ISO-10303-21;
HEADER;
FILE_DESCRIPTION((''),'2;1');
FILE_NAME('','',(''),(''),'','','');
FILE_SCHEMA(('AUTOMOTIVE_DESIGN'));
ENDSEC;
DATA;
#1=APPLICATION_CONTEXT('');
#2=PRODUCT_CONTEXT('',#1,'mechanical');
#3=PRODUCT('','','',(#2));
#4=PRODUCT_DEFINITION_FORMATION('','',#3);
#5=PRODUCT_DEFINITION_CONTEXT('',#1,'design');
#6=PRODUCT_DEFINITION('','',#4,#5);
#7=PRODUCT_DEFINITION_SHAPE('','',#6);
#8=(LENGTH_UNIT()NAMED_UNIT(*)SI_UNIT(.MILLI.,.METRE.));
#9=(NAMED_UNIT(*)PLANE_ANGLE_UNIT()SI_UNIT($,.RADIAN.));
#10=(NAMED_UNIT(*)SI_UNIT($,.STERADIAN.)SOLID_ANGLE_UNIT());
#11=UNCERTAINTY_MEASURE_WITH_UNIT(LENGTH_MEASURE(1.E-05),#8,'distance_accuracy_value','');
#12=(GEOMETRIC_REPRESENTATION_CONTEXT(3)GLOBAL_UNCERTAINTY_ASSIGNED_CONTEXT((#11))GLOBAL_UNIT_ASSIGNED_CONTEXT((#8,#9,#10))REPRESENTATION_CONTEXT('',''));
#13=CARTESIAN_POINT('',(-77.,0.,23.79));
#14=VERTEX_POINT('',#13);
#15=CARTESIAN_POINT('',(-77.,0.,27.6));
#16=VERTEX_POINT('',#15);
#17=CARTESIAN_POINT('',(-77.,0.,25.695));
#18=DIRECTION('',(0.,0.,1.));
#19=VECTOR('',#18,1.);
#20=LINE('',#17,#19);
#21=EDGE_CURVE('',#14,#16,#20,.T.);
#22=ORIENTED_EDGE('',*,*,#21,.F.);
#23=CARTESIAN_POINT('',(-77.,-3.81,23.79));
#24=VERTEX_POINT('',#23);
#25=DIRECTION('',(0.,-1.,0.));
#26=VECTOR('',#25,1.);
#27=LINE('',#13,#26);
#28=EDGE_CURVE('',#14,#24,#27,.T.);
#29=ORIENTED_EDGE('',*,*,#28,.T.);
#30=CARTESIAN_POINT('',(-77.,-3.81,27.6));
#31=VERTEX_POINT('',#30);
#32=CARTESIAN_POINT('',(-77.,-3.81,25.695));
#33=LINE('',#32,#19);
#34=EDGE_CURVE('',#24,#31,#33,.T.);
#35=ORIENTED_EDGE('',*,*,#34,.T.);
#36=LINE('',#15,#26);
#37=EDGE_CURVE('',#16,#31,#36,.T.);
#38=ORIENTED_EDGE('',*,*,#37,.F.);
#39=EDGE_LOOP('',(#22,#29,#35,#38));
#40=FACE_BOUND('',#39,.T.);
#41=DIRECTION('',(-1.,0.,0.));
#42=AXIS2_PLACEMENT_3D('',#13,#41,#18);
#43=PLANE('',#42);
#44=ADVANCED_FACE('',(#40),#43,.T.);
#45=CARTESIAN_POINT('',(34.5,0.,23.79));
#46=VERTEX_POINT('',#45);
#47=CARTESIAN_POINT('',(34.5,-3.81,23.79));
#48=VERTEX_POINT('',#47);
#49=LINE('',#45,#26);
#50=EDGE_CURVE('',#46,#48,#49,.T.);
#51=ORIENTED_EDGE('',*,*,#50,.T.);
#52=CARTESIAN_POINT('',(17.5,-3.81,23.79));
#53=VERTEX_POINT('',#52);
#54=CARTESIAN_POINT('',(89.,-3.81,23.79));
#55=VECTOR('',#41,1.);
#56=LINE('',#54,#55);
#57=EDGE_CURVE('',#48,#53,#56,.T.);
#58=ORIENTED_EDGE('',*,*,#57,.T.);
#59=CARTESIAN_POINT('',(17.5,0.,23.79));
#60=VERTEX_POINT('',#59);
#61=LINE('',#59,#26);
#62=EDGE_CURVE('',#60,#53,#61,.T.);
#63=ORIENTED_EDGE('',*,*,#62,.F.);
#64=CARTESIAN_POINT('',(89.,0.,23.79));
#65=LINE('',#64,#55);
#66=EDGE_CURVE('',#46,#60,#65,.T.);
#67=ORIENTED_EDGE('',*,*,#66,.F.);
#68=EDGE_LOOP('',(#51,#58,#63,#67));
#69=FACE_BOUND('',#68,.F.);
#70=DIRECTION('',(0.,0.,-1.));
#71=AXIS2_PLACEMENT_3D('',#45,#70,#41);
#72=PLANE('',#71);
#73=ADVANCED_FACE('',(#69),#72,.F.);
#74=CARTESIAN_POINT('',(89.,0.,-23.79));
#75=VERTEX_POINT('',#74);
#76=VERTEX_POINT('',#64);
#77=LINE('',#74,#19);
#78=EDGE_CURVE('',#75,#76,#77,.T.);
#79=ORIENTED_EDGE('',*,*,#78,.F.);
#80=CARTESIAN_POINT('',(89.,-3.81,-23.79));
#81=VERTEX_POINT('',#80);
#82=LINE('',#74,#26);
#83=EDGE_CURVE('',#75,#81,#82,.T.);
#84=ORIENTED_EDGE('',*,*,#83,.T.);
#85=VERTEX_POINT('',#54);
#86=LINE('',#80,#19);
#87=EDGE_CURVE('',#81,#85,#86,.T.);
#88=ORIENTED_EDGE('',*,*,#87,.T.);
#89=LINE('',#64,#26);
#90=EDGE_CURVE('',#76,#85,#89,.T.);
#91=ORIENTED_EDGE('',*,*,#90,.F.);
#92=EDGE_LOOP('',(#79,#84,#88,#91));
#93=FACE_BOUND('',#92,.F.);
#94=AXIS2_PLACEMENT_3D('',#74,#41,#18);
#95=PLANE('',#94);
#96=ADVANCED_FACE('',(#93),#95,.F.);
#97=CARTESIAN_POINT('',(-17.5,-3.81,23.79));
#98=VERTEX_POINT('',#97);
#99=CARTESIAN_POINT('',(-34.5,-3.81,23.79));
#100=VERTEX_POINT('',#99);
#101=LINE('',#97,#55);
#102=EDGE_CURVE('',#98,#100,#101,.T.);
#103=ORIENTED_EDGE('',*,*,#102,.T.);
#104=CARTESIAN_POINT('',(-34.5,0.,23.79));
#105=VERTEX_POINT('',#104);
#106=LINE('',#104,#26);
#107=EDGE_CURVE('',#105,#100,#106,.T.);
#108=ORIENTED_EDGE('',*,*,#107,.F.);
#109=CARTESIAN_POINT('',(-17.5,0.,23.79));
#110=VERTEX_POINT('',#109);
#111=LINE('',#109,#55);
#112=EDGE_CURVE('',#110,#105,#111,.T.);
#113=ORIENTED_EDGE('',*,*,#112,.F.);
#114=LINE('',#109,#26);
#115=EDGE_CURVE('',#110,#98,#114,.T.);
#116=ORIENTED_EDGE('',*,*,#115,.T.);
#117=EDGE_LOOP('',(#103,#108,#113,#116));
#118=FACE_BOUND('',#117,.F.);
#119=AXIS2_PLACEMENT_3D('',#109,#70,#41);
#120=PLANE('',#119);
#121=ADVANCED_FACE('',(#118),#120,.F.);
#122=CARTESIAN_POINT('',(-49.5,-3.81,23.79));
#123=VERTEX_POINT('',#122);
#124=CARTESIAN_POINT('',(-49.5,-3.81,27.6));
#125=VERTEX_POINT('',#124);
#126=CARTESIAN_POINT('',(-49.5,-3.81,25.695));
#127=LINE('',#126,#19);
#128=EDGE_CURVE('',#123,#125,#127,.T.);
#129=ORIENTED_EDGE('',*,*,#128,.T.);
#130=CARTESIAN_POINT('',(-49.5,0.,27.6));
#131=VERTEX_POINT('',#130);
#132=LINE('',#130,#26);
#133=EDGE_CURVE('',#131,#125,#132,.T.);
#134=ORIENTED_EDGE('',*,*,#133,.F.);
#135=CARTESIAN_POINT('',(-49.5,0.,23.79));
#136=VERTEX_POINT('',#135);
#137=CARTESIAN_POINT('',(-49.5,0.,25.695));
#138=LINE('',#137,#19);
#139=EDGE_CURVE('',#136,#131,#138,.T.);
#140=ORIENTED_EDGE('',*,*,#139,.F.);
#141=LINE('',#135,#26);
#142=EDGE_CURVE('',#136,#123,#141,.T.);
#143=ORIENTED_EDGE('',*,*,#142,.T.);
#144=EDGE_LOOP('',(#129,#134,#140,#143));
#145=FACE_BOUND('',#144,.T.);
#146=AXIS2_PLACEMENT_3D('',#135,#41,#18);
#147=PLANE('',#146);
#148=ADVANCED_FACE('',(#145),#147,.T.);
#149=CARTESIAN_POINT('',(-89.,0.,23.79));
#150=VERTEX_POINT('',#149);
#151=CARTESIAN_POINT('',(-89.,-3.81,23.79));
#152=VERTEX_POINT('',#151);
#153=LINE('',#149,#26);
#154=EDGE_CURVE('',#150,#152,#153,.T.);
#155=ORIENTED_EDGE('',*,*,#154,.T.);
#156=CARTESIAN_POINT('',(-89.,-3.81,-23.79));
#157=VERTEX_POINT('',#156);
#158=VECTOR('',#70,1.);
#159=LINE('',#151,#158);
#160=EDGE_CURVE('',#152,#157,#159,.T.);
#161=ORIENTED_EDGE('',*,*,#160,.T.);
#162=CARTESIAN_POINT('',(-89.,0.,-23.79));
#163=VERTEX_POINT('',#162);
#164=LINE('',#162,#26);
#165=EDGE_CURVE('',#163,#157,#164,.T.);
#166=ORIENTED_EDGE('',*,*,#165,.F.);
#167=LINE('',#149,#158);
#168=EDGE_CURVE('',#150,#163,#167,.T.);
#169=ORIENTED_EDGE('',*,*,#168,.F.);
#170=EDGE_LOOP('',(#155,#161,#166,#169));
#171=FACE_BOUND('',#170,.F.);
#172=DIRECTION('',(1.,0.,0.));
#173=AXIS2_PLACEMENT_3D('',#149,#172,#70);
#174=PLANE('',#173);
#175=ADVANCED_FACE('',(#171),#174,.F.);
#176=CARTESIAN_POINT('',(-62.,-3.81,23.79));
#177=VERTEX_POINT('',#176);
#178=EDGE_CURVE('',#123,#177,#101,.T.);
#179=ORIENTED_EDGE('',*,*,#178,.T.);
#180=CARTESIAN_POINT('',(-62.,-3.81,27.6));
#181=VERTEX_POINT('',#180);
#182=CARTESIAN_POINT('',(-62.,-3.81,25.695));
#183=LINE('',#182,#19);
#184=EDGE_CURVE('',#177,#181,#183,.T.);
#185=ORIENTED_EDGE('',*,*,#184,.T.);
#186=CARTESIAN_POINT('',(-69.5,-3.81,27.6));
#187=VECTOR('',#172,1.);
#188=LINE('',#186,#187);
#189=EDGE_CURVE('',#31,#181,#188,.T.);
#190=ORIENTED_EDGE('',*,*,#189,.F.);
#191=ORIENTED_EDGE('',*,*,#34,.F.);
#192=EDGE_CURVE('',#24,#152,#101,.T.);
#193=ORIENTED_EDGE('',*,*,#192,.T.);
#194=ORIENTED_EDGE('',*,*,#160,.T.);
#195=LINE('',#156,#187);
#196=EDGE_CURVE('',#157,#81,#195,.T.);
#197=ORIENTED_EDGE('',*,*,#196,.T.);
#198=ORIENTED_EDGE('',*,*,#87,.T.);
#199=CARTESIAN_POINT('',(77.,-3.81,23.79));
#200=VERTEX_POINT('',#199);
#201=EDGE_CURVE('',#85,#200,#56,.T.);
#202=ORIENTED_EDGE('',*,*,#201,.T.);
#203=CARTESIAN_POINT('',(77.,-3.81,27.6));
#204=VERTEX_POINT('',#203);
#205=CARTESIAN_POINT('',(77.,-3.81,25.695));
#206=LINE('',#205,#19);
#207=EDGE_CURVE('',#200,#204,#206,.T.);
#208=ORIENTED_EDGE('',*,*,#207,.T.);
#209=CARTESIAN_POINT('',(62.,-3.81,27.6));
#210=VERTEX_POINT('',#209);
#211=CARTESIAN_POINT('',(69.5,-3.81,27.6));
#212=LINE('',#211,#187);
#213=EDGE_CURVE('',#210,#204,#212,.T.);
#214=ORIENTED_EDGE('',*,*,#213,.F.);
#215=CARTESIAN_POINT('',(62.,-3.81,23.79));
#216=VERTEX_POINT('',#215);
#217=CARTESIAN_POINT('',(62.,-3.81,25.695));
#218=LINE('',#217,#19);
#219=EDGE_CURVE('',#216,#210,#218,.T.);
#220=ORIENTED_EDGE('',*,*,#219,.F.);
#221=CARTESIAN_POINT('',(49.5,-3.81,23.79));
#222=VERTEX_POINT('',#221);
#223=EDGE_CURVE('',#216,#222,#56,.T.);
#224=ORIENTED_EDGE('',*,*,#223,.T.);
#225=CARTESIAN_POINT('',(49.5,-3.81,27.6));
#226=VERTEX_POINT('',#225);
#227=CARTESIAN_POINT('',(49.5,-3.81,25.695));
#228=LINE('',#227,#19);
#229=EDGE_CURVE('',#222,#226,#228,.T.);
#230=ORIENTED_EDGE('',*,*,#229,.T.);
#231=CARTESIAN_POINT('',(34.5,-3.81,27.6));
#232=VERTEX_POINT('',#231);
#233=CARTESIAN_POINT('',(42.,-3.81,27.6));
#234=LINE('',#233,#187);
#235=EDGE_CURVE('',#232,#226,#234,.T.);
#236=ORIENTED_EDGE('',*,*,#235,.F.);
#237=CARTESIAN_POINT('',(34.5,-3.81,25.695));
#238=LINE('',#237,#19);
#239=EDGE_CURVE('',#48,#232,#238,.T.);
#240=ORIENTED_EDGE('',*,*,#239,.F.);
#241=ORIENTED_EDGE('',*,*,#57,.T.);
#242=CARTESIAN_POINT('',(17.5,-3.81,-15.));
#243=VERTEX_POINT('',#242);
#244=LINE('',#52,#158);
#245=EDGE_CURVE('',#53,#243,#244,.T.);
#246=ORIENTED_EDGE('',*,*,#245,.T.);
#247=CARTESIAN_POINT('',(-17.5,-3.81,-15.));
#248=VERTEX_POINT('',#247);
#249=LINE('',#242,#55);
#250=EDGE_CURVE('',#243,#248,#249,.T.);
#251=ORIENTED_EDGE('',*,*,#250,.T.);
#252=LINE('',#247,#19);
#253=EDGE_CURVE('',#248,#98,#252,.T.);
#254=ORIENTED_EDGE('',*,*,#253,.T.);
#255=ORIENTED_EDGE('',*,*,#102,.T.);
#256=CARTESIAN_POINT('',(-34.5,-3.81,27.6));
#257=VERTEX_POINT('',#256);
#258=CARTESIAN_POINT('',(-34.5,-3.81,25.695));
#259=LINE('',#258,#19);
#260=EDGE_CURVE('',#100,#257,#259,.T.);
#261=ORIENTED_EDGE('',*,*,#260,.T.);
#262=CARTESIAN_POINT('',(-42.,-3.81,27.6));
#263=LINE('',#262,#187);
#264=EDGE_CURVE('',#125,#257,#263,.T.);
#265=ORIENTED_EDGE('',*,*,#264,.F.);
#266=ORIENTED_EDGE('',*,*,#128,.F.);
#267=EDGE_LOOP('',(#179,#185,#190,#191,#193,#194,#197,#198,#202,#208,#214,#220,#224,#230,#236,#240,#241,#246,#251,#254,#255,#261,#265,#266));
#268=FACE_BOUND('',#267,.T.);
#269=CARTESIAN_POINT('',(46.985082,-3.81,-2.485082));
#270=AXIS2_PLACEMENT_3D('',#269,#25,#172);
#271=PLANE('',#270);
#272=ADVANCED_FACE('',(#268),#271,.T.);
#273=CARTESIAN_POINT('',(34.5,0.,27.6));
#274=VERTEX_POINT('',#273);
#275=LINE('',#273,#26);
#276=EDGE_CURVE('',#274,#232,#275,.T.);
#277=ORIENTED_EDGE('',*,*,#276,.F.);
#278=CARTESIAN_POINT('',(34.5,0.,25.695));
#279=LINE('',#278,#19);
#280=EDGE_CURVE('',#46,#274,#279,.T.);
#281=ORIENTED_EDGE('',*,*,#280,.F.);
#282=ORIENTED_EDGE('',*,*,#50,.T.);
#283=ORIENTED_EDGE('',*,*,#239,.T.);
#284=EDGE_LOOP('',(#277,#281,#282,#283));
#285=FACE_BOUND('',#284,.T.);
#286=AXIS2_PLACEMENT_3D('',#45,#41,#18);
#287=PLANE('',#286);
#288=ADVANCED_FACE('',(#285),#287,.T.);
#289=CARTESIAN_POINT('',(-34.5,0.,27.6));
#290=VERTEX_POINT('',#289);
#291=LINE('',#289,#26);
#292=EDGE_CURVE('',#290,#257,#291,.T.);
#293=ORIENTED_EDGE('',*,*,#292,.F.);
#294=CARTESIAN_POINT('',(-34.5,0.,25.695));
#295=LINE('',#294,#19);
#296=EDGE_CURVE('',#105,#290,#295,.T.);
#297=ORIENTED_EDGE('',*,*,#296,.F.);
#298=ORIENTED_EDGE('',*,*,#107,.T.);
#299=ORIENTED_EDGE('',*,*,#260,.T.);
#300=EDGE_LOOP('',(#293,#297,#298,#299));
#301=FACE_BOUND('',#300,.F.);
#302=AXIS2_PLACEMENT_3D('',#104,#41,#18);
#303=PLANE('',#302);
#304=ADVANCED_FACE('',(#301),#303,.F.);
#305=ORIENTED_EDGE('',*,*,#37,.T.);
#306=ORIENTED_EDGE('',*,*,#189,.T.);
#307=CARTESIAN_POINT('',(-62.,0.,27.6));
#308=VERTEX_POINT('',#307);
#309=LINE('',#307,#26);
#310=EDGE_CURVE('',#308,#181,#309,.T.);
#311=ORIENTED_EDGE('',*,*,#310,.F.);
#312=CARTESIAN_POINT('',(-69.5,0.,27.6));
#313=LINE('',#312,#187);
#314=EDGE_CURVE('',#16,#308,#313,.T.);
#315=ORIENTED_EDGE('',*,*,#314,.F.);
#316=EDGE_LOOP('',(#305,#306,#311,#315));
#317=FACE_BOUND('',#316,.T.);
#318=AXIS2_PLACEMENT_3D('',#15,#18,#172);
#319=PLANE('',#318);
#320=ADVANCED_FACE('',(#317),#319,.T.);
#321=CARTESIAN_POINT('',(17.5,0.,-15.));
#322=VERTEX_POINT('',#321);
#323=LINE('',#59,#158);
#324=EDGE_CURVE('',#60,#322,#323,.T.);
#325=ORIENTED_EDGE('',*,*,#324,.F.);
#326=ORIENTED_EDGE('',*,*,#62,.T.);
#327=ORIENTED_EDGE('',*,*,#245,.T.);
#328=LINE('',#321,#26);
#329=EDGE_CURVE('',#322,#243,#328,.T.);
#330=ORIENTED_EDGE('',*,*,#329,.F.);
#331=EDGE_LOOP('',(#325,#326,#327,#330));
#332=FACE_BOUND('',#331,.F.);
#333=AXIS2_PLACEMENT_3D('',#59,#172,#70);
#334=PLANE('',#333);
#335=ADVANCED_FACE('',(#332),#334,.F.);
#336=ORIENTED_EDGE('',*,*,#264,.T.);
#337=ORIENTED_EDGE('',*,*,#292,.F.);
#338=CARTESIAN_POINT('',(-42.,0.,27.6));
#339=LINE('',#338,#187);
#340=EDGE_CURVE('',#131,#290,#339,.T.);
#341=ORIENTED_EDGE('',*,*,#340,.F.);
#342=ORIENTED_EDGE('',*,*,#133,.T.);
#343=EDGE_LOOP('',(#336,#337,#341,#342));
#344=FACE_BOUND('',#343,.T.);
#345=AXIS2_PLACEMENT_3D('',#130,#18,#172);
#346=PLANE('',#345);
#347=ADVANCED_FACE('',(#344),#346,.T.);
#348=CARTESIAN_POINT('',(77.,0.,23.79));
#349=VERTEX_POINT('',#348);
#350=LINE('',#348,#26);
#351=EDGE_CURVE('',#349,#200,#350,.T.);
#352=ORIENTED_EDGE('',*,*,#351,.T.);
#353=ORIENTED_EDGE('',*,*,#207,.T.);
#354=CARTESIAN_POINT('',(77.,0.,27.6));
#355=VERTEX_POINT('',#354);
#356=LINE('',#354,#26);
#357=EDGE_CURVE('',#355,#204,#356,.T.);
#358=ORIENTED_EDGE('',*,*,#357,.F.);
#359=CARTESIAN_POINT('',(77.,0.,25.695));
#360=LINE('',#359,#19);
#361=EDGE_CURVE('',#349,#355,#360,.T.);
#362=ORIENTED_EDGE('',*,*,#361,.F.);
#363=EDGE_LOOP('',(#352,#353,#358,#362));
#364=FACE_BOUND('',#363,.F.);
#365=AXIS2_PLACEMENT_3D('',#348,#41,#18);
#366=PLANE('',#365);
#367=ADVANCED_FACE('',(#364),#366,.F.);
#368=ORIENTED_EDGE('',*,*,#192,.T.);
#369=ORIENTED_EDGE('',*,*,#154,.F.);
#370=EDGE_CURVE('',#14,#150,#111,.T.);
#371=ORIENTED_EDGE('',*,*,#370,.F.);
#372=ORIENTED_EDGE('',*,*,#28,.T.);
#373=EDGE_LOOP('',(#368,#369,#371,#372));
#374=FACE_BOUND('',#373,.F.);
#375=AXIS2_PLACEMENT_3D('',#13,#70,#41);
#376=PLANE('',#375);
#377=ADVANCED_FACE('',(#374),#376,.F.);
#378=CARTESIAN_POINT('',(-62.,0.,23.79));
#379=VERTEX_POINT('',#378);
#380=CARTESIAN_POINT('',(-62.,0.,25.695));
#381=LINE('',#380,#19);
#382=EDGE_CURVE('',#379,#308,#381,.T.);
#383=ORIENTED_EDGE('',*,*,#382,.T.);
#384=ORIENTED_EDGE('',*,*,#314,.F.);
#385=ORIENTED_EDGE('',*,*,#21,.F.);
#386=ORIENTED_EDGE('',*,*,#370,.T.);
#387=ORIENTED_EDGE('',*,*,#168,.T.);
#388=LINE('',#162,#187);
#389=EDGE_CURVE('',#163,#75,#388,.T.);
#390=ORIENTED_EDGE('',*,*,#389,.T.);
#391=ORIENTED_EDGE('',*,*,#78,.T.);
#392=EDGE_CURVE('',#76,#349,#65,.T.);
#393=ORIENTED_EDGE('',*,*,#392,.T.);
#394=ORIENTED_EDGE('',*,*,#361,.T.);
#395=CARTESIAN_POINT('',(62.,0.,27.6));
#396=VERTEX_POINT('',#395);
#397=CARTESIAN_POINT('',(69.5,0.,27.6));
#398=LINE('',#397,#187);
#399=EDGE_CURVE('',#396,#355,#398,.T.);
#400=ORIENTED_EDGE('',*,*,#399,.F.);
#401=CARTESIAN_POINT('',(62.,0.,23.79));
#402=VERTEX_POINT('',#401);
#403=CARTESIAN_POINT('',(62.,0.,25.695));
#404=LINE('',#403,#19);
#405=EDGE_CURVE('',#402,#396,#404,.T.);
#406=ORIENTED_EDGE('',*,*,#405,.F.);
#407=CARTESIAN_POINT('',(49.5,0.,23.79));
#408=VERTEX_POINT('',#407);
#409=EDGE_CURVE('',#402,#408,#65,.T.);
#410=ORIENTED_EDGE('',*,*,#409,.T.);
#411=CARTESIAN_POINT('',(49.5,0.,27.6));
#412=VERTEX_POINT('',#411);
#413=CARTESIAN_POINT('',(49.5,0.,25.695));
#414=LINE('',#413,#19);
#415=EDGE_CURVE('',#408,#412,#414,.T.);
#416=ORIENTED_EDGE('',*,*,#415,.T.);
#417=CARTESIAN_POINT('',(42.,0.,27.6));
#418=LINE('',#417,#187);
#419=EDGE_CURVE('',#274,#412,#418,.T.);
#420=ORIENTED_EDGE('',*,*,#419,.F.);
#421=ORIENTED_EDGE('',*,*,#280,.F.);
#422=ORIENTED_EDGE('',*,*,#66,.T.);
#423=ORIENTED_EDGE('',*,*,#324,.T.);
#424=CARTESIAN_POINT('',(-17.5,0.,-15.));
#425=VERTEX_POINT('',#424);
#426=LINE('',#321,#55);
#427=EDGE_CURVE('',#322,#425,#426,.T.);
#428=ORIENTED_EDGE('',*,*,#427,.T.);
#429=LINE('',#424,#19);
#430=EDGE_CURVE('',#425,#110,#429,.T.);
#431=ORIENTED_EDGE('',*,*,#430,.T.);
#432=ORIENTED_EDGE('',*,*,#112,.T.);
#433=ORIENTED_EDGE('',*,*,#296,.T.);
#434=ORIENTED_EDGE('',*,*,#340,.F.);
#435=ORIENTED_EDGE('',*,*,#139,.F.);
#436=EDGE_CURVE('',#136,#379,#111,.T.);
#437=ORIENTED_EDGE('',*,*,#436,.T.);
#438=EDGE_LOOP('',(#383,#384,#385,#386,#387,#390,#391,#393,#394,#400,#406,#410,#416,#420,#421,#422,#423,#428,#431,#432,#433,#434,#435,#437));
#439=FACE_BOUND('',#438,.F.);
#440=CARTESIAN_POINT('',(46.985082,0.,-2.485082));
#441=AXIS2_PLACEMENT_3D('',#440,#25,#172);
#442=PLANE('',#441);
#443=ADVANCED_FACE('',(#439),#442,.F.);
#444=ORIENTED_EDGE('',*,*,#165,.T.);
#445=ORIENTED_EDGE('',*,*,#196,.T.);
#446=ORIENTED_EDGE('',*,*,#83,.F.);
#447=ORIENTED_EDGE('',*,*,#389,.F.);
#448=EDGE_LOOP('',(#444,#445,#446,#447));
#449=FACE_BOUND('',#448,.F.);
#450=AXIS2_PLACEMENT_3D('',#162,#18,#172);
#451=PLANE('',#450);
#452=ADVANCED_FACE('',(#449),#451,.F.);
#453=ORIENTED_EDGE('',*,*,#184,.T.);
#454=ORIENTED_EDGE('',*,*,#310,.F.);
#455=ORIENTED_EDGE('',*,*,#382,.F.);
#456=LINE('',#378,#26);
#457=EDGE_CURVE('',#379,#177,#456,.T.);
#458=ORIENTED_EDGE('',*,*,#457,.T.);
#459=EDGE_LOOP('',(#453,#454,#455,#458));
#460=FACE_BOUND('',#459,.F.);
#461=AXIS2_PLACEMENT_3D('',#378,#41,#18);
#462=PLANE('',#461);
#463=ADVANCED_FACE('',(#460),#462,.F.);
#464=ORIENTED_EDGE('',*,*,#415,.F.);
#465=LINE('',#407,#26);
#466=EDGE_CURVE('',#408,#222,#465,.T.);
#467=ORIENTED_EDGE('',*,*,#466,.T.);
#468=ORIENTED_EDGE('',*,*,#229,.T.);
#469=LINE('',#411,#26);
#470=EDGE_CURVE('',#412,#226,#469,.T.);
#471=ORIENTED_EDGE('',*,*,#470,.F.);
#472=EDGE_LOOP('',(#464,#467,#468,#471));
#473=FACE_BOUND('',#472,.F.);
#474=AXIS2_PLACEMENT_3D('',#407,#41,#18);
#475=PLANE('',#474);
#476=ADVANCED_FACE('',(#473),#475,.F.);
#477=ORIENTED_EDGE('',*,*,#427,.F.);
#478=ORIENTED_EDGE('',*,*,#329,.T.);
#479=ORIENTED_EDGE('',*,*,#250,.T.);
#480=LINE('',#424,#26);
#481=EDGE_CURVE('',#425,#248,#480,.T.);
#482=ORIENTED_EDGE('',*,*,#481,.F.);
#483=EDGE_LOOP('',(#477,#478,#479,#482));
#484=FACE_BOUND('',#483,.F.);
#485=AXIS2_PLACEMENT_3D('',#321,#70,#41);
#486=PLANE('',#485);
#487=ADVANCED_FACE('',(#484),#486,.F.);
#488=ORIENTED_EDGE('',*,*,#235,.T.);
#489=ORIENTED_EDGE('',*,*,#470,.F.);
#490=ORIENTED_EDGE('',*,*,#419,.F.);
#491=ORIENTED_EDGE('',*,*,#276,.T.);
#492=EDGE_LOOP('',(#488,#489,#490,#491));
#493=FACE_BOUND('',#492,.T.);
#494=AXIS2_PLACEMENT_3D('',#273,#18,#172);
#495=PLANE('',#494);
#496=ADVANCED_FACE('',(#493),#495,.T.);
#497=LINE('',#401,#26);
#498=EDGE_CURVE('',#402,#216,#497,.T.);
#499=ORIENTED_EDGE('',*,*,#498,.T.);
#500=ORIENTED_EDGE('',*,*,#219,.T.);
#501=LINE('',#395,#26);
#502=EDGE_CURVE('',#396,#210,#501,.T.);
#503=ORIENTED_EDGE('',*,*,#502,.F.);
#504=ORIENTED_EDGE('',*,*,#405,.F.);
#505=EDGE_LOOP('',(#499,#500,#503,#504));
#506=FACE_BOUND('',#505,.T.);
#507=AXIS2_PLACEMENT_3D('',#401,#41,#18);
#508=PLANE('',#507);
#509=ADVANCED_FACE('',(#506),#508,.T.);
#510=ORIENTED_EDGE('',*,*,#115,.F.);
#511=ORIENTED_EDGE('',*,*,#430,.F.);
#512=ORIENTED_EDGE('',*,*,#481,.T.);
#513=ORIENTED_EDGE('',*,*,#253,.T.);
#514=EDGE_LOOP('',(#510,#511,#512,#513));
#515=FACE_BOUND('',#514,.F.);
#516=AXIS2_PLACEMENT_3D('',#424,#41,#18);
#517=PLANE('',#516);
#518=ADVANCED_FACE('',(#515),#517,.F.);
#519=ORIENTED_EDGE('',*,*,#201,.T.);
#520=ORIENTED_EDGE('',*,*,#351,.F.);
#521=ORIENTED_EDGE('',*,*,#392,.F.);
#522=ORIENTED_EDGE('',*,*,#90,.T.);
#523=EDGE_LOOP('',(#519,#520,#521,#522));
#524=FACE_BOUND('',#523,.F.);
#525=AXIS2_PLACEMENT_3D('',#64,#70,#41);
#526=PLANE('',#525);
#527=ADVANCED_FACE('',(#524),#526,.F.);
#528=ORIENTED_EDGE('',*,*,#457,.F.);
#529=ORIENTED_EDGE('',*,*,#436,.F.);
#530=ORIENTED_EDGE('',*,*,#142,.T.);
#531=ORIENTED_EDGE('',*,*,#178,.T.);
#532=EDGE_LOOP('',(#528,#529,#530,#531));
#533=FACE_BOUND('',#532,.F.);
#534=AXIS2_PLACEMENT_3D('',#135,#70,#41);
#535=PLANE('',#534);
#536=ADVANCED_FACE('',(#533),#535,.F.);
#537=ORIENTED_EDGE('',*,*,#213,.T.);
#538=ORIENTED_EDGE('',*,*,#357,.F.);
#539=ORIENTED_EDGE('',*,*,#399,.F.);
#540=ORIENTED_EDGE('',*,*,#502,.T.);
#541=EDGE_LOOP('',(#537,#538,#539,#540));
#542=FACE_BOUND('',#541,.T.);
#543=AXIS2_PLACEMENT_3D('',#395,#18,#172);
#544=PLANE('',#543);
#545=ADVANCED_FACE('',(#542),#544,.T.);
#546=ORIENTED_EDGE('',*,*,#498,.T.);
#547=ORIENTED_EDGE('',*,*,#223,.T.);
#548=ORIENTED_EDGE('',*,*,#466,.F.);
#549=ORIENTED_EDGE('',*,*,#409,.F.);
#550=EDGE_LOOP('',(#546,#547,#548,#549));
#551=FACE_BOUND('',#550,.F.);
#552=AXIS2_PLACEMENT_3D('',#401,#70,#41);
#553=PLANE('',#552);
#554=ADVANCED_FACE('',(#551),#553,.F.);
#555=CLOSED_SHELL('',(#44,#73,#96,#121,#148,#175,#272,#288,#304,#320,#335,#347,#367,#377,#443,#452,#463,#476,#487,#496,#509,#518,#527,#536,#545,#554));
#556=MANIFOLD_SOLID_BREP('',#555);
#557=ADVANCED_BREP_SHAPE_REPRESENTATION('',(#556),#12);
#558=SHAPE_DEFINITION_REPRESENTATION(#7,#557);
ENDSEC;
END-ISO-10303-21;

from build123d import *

# Parameters (mm, degrees)
F0_W     = 15
F0_H     = 3.81
F1_DEPTH = 3.81


with BuildPart() as f1:
    # F0 (on Front) → F1 (new body)
    with BuildSketch(Plane.XZ):
        Polygon((89, -23.79), (89, 23.79), (77, 23.79), (62, 23.79), (49.5, 23.79), (34.5, 23.79), (17.5, 23.79), (17.5, 0), (17.5, -15), (0, -15), (0, -23.79), align=None)
        Polygon((-89, -23.79), (0, -23.79), (0, -15), (-17.5, -15), (-17.5, 0), (-17.5, 23.79), (-34.5, 23.79), (-49.5, 23.79), (-62, 23.79), (-77, 23.79), (-89, 23.79), align=None)
        with Locations((-69.5, 25.695)):
            Rectangle(F0_W, F0_H)
        with Locations((-42, 25.695)):
            Rectangle(F0_W, F0_H)
        with Locations((42, 25.695)):
            Rectangle(F0_W, F0_H)
        with Locations((69.5, 25.695)):
            Rectangle(F0_W, F0_H)
    extrude(amount=F1_DEPTH)


solid = f1.part
